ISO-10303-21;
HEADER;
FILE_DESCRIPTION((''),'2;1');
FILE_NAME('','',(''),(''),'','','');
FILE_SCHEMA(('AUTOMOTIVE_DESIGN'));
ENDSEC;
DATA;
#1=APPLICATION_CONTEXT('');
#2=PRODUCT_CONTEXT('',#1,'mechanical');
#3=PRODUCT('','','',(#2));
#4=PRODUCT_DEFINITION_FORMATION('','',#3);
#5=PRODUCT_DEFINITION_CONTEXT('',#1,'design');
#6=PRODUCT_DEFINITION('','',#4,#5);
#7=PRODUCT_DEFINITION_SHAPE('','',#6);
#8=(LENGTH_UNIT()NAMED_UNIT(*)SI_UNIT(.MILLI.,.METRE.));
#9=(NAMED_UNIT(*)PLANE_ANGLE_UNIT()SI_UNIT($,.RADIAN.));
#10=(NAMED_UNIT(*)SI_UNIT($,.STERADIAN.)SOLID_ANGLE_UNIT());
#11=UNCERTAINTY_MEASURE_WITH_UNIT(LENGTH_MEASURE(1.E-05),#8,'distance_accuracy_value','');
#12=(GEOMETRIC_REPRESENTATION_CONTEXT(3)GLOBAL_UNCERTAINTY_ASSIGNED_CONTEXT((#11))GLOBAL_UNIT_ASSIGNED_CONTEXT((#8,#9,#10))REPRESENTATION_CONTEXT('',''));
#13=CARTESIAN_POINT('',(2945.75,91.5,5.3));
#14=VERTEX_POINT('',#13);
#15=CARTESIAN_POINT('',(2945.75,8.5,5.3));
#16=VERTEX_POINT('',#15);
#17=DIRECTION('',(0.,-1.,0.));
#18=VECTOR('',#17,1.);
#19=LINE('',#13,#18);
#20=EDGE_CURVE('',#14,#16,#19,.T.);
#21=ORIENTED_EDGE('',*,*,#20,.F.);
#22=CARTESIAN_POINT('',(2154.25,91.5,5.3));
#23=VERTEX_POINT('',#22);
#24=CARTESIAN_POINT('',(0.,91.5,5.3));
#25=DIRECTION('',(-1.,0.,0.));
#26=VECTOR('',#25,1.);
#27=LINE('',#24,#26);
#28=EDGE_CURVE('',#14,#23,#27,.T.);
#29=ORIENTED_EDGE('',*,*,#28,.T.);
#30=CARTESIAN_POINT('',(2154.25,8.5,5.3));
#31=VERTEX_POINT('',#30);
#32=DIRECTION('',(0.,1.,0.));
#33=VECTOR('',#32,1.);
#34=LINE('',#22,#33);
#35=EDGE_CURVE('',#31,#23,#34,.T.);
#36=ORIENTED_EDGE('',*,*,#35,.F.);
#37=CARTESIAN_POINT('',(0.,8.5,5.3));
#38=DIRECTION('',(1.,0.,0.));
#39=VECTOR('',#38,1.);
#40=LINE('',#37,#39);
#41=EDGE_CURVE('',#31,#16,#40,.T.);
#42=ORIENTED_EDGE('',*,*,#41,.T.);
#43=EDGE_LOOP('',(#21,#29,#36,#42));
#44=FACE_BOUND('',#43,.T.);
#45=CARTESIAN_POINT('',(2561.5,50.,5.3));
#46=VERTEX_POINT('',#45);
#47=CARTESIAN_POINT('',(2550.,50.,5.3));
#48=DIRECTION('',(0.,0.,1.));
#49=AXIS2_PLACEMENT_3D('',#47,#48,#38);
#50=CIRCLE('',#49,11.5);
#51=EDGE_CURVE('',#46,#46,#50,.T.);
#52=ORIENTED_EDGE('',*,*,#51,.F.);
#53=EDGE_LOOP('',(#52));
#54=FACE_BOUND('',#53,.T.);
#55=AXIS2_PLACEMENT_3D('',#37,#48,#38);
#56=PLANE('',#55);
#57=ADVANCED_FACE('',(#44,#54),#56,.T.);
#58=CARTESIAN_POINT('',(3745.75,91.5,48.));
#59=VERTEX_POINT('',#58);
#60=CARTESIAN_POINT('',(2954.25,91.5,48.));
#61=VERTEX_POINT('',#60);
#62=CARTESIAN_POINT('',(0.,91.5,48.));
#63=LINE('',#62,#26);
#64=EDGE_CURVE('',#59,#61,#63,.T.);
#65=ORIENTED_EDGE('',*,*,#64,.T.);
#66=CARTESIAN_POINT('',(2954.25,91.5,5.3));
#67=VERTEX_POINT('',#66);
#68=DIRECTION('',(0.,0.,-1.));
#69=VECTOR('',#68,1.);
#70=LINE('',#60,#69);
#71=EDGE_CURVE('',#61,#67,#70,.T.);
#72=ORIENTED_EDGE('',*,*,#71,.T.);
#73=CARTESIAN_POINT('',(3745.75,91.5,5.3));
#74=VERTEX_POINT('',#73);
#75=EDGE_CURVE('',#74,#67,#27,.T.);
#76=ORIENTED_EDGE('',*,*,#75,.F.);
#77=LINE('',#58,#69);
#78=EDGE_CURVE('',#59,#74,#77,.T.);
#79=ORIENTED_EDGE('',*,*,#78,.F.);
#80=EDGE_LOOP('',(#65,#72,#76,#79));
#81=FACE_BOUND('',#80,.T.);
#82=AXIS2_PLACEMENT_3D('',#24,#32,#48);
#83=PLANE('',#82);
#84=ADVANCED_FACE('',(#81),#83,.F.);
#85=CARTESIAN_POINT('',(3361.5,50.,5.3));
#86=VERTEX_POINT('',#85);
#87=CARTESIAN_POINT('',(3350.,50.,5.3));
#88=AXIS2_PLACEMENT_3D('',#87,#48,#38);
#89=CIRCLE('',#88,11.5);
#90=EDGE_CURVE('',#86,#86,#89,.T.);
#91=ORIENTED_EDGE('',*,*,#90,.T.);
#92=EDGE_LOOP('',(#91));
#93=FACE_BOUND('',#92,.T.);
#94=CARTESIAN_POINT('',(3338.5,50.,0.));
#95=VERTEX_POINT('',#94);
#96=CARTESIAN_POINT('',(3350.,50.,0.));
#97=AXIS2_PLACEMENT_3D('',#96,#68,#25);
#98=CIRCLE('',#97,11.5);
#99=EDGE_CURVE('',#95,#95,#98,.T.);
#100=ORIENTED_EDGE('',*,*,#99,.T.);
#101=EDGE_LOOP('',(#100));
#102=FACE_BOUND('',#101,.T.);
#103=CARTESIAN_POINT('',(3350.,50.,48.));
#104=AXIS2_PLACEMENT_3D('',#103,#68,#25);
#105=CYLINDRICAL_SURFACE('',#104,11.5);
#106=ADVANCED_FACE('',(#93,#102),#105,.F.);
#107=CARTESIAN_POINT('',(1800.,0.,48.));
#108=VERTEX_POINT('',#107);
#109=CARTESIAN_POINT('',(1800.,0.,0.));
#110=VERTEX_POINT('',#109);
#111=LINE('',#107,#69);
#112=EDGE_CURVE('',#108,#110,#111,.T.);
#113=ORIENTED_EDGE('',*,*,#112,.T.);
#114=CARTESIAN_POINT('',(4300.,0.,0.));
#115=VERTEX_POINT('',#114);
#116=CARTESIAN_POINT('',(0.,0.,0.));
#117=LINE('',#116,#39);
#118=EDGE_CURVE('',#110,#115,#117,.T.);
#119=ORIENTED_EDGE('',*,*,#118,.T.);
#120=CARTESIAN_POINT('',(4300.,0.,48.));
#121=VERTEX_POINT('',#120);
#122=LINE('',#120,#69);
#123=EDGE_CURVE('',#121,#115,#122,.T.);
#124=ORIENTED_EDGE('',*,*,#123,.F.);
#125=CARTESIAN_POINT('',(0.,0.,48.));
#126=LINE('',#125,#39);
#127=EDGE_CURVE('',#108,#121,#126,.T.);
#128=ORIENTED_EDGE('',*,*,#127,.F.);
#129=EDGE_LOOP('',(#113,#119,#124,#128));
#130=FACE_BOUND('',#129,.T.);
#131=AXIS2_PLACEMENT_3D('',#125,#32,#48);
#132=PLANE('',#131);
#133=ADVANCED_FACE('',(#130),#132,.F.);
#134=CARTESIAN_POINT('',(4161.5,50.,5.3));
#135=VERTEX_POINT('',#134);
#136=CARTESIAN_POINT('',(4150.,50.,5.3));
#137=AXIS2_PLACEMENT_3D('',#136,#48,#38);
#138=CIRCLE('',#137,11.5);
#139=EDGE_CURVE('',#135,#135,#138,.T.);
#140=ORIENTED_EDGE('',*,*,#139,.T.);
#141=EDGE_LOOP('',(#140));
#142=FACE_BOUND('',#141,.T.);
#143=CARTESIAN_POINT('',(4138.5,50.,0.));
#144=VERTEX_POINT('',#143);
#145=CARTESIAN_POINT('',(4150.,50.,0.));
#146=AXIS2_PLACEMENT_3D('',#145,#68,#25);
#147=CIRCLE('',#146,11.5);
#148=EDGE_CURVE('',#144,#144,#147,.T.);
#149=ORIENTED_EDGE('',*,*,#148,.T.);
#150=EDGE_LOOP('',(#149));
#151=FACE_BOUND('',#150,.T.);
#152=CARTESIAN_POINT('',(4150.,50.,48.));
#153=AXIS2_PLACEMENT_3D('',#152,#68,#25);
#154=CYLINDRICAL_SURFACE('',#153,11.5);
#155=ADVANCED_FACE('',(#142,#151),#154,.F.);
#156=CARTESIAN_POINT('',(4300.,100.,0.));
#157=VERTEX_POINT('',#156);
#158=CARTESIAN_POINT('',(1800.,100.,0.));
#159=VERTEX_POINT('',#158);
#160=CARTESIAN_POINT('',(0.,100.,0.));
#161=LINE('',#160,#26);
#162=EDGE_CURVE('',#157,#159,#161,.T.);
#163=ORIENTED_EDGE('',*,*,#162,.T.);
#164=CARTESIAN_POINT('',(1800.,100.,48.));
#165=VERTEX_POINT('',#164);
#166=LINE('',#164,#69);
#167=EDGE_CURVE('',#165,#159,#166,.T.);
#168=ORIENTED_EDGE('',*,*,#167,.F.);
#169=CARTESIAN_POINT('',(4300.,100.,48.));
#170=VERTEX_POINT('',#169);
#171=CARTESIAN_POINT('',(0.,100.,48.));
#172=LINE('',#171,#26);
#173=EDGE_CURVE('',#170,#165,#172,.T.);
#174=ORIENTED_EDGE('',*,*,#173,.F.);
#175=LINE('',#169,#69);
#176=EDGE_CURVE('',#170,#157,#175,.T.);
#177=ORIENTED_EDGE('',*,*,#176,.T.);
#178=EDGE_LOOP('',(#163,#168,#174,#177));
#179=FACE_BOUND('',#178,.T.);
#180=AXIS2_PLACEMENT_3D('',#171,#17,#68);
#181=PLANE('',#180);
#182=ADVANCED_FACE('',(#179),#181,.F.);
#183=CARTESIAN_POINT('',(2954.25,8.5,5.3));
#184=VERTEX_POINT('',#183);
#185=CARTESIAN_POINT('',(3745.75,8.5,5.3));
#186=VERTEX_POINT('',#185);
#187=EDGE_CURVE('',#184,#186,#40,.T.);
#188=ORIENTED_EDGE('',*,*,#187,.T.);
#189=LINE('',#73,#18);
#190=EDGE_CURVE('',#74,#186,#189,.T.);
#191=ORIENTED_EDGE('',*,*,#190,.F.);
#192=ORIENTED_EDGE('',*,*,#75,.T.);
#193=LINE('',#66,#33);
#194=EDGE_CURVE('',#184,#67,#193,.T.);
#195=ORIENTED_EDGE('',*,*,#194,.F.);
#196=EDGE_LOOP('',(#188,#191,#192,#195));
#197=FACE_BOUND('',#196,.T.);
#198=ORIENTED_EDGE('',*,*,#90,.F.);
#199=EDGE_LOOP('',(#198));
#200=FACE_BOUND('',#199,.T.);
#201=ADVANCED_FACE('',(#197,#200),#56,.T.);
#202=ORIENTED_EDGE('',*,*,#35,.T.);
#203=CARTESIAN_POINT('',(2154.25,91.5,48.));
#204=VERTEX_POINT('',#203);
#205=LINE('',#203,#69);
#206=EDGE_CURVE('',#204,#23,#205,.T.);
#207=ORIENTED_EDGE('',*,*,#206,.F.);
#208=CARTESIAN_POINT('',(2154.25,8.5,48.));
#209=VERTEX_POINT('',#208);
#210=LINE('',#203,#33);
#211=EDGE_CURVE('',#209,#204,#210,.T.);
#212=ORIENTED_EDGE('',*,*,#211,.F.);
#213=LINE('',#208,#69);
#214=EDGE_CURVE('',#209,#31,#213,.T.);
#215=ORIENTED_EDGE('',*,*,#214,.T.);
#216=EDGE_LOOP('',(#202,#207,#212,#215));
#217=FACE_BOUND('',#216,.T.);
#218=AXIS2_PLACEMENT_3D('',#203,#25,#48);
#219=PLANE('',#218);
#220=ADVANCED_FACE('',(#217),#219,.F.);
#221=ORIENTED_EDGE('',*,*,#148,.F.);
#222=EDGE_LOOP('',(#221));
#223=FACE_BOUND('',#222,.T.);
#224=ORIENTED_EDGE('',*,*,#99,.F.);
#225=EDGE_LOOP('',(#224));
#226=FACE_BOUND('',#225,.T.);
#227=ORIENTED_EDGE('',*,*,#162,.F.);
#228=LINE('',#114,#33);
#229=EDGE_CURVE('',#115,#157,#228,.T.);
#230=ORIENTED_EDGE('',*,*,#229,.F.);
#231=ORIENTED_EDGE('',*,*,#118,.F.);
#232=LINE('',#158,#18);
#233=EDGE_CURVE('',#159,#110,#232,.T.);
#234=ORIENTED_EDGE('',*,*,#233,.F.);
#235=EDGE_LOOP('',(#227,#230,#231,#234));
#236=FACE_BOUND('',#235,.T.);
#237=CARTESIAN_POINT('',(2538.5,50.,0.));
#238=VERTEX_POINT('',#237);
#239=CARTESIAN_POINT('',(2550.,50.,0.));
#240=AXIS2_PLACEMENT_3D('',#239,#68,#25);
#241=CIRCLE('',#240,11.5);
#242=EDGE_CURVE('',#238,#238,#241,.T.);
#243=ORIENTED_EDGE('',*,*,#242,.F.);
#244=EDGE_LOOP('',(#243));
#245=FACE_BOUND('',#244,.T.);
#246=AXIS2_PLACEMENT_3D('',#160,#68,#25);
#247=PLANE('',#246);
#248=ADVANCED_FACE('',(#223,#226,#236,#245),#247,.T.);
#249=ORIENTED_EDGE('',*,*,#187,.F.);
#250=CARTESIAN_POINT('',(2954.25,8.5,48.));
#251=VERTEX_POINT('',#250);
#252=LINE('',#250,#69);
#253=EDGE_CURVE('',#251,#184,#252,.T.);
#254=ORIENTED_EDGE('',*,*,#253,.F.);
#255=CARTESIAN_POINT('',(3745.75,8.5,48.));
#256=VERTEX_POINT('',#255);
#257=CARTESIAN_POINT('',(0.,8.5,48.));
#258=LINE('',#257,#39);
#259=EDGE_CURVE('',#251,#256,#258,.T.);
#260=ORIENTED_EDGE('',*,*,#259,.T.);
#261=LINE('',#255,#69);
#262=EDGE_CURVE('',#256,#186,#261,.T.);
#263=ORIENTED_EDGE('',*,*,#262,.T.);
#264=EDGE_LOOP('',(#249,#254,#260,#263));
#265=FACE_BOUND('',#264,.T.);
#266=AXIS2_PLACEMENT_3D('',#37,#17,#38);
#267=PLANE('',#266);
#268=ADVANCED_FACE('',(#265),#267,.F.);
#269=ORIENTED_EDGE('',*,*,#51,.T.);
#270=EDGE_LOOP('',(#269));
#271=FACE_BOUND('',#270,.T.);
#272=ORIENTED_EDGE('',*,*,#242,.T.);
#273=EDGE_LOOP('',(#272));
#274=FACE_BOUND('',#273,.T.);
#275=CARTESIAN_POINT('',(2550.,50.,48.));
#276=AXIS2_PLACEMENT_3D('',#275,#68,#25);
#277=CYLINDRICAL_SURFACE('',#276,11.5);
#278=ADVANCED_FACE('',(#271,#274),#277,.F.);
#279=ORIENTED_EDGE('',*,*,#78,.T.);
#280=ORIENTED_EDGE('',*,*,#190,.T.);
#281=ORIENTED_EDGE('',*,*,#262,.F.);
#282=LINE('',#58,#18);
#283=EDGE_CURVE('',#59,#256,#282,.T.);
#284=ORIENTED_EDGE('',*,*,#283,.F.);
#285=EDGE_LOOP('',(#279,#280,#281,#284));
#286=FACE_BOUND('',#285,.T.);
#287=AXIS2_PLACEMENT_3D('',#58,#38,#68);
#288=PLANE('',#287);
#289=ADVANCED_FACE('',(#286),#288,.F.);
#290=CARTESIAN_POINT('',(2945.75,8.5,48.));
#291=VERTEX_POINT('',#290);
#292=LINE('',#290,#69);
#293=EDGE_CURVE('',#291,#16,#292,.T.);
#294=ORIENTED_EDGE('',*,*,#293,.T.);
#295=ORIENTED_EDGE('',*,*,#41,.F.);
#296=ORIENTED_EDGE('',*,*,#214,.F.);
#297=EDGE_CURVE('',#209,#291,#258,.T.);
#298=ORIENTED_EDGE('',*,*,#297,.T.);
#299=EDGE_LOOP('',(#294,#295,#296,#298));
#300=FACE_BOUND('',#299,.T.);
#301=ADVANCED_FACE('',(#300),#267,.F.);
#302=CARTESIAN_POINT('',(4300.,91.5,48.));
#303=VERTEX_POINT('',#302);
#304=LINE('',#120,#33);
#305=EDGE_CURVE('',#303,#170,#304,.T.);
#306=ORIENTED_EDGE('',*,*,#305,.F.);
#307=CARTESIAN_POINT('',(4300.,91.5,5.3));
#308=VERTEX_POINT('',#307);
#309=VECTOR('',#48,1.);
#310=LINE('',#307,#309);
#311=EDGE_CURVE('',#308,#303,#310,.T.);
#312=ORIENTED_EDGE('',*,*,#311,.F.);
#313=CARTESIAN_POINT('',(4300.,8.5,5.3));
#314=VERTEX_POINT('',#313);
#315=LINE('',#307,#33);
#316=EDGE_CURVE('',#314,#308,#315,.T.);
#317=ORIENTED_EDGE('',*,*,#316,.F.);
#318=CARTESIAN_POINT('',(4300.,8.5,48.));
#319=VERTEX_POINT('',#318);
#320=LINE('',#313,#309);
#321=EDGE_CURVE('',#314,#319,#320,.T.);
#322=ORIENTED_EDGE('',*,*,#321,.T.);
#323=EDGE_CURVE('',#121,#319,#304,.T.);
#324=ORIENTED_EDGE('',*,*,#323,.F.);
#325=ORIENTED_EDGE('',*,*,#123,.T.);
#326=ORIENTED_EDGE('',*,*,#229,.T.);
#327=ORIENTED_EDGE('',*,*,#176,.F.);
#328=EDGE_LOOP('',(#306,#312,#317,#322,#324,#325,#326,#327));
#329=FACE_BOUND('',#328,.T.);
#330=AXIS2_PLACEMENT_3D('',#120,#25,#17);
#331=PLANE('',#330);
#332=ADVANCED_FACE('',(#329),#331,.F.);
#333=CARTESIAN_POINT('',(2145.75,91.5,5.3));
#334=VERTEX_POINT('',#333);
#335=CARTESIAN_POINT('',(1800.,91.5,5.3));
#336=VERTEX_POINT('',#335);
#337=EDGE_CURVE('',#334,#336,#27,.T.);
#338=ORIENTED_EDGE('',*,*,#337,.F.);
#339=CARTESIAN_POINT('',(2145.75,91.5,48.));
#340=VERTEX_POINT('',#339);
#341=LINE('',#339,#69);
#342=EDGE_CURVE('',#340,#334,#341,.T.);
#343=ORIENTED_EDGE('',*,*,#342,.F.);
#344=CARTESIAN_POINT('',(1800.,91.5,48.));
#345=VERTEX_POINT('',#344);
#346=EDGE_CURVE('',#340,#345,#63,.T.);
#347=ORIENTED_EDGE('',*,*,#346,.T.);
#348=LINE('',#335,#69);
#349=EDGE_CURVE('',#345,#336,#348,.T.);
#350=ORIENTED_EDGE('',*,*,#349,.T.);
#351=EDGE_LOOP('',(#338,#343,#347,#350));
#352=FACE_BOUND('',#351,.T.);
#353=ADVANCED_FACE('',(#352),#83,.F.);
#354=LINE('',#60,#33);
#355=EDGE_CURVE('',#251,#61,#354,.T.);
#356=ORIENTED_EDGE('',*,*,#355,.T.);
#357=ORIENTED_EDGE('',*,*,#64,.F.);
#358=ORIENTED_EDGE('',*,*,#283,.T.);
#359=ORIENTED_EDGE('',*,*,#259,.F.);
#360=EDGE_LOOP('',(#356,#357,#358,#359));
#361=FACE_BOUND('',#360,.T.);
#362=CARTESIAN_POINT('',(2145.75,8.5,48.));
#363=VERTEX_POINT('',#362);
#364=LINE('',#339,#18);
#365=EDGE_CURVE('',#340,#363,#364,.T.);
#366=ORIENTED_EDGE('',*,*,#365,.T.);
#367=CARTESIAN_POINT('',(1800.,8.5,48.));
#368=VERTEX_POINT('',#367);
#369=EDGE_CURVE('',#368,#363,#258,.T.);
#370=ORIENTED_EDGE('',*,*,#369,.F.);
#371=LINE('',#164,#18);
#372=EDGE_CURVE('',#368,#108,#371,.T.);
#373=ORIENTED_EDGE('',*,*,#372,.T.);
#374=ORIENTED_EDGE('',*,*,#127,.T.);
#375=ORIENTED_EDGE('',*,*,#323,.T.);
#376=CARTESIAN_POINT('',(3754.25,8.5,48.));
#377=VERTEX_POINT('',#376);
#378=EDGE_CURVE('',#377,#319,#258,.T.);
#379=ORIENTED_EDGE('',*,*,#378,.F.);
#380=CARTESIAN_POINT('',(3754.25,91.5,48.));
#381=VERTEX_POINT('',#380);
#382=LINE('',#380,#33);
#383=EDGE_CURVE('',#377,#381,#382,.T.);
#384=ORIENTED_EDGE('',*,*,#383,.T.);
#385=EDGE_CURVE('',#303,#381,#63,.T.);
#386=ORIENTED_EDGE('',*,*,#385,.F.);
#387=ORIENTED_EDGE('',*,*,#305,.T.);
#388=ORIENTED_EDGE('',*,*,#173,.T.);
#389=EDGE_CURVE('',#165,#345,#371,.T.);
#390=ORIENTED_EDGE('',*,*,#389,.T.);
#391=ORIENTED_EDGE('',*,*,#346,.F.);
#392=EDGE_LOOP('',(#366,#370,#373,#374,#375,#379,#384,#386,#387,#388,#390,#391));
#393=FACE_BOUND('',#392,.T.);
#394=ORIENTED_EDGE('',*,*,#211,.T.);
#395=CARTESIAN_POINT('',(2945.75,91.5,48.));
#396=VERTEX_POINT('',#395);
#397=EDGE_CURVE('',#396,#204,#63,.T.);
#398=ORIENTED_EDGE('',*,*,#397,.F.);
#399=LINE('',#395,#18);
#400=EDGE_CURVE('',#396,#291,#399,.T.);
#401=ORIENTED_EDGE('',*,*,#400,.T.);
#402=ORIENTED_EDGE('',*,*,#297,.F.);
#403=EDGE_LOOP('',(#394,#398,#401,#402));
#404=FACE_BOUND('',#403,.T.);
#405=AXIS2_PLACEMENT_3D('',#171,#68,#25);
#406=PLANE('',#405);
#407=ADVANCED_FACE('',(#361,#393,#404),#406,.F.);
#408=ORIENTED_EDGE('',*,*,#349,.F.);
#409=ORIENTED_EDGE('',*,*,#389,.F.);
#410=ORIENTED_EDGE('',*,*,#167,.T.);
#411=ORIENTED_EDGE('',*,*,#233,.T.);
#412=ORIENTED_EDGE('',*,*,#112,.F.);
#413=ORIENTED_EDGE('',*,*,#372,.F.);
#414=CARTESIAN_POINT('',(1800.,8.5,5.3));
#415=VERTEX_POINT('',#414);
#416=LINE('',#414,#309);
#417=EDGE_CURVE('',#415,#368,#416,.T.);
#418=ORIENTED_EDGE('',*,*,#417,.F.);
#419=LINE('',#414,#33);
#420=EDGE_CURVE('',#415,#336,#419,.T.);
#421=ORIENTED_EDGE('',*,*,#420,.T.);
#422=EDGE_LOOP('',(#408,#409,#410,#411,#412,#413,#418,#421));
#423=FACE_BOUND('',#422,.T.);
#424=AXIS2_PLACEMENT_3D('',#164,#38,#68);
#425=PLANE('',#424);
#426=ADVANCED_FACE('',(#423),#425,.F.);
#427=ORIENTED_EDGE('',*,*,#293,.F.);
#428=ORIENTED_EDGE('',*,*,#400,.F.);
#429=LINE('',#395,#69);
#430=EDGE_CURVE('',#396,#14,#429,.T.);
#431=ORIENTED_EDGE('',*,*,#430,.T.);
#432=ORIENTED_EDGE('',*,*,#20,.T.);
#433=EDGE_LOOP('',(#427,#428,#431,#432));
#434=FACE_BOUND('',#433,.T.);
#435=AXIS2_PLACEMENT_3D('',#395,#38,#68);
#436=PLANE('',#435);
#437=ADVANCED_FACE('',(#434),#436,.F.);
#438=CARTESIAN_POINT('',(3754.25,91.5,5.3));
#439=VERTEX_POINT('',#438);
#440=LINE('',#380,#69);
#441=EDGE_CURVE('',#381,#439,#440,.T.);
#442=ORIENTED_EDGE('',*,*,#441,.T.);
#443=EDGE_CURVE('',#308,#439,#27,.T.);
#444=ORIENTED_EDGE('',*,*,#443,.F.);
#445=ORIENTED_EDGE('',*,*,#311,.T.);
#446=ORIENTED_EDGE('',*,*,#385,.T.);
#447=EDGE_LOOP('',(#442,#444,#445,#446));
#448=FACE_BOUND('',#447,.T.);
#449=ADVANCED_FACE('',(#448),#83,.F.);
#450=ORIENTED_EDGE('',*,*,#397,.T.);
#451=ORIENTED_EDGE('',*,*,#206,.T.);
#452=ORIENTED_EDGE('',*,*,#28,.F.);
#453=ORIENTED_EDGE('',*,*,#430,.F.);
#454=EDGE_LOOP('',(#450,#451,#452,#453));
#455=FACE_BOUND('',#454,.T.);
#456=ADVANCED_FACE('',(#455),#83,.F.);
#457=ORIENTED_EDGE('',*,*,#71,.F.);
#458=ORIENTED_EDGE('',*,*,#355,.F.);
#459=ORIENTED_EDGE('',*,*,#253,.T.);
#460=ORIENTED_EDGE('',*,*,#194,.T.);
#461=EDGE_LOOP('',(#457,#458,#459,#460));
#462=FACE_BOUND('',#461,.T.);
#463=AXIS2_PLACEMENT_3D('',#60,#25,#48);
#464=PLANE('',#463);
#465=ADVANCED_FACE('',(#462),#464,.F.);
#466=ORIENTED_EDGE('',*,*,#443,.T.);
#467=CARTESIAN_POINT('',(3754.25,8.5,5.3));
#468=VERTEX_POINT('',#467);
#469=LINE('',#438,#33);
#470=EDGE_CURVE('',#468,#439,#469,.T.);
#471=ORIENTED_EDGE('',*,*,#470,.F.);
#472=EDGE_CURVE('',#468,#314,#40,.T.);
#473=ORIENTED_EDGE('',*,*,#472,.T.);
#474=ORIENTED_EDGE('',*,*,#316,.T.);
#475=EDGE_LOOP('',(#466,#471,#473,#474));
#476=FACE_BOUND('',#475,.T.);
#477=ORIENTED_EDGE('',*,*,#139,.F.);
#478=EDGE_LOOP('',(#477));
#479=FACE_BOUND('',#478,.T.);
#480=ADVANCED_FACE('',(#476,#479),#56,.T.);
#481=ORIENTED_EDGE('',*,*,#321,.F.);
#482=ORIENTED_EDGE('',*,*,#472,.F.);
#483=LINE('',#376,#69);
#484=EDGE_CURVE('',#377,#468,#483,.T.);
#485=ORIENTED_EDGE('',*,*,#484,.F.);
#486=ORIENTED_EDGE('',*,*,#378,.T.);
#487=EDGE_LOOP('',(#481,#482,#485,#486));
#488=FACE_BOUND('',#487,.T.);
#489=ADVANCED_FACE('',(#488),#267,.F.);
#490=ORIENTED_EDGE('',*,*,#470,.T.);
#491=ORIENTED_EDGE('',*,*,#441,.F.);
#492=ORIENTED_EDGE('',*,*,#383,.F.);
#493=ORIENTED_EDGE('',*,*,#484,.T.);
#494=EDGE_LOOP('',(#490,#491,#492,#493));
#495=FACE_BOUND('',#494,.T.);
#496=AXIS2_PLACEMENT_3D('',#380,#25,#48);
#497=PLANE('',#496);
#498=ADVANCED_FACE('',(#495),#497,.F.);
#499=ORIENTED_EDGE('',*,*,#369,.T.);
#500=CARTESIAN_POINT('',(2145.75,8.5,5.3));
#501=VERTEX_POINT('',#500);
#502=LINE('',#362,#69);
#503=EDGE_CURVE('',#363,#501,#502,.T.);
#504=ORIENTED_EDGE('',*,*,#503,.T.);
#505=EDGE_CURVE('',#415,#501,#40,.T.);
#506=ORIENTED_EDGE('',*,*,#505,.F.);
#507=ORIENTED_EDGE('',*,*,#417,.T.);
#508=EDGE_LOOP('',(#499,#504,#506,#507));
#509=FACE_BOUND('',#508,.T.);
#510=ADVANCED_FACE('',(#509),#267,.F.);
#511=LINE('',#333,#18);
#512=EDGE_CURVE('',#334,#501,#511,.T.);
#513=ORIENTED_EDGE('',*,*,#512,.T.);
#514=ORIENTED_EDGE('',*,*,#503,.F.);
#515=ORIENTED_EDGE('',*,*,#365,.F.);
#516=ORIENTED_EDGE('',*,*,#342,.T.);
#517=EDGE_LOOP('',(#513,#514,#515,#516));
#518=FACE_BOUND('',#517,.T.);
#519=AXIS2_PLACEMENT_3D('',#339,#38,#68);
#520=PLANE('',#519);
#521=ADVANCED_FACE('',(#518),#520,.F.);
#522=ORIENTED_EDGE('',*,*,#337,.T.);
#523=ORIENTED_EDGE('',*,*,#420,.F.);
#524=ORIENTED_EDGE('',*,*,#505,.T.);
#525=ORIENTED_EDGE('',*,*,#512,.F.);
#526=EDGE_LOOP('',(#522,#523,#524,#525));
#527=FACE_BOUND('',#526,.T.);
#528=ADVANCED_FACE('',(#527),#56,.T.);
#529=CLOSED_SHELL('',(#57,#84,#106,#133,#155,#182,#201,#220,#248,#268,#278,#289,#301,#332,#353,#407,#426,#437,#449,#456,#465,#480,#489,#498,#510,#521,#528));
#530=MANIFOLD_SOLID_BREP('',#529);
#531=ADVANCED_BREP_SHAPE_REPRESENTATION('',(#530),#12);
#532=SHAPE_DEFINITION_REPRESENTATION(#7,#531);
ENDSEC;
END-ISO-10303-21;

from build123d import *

# Parameters (mm, degrees)
SKETCH_1_W             = 4300
SKETCH_1_H             = 100
EXTRUDE_1_DEPTH        = 48
SKETCH_2_W             = 4300
SKETCH_2_H             = 83
CUT_EXTRUDE_2_DEPTH    = 42.7
SKETCH_3_W             = 8.5
SKETCH_3_H             = 83
EXTRUDE_3_DEPTH        = 42.7
PATTERN_LINEAR_1_COUNT = 5
PATTERN_LINEAR_1_PITCH = 800
SKETCH_4_R             = 11.5
CUT_EXTRUDE_4_DEPTH    = 4302.430459742
PATTERN_LINEAR_2_COUNT = 6
PATTERN_LINEAR_2_PITCH = 800
SKETCH_5_W             = 1800
SKETCH_5_H             = 100
CUT_EXTRUDE_1_DEPTH    = 48


with BuildPart() as part:
    # 草图1 → 拉伸1 (new body)
    with BuildSketch(Plane.XY):
        with Locations((2150, 50)):
            Rectangle(SKETCH_1_W, SKETCH_1_H)
    extrude(amount=EXTRUDE_1_DEPTH)

    # 草图2 → 拉伸2 (cut)
    with BuildSketch(Plane.XY.offset(48)):
        with Locations((2150, 50)):
            Rectangle(SKETCH_2_W, SKETCH_2_H)
    extrude(amount=-CUT_EXTRUDE_2_DEPTH, mode=Mode.SUBTRACT)

    # 草图3 → 拉伸3 (add)
    with BuildSketch(Plane.XY.offset(5.3)):
        with Locations((550, 50)):
            Rectangle(SKETCH_3_W, SKETCH_3_H)
    extrude_3 = extrude(amount=EXTRUDE_3_DEPTH)

    # 阵列(线性)1: 拉伸3 ×5
    with Locations(*[(i * PATTERN_LINEAR_1_PITCH, 0, 0) for i in range(1, PATTERN_LINEAR_1_COUNT)]):
        add(extrude_3)

    # 草图4 → 拉伸4 (cut, through all)
    with BuildSketch(Plane(origin=(0, 0, 0), x_dir=(-1, 0, 0), z_dir=(0, 0, -1))):
        with Locations((-4150, 50)):
            Circle(SKETCH_4_R)
    cut_extrude_4 = extrude(amount=-CUT_EXTRUDE_4_DEPTH, mode=Mode.SUBTRACT)

    # 阵列(线性)2: 拉伸4 ×6
    with Locations(*[(-i * PATTERN_LINEAR_2_PITCH, 0, 0) for i in range(1, PATTERN_LINEAR_2_COUNT)]):
        add(cut_extrude_4, mode=Mode.SUBTRACT)

    # 草图5 → 切除-拉伸1 (cut)
    with BuildSketch(Plane(origin=(0, 0, 0), x_dir=(-1, 0, 0), z_dir=(0, 0, -1))):
        with Locations((-900, 50)):
            Rectangle(SKETCH_5_W, SKETCH_5_H)
    extrude(amount=-CUT_EXTRUDE_1_DEPTH, mode=Mode.SUBTRACT)


solid = part.part
